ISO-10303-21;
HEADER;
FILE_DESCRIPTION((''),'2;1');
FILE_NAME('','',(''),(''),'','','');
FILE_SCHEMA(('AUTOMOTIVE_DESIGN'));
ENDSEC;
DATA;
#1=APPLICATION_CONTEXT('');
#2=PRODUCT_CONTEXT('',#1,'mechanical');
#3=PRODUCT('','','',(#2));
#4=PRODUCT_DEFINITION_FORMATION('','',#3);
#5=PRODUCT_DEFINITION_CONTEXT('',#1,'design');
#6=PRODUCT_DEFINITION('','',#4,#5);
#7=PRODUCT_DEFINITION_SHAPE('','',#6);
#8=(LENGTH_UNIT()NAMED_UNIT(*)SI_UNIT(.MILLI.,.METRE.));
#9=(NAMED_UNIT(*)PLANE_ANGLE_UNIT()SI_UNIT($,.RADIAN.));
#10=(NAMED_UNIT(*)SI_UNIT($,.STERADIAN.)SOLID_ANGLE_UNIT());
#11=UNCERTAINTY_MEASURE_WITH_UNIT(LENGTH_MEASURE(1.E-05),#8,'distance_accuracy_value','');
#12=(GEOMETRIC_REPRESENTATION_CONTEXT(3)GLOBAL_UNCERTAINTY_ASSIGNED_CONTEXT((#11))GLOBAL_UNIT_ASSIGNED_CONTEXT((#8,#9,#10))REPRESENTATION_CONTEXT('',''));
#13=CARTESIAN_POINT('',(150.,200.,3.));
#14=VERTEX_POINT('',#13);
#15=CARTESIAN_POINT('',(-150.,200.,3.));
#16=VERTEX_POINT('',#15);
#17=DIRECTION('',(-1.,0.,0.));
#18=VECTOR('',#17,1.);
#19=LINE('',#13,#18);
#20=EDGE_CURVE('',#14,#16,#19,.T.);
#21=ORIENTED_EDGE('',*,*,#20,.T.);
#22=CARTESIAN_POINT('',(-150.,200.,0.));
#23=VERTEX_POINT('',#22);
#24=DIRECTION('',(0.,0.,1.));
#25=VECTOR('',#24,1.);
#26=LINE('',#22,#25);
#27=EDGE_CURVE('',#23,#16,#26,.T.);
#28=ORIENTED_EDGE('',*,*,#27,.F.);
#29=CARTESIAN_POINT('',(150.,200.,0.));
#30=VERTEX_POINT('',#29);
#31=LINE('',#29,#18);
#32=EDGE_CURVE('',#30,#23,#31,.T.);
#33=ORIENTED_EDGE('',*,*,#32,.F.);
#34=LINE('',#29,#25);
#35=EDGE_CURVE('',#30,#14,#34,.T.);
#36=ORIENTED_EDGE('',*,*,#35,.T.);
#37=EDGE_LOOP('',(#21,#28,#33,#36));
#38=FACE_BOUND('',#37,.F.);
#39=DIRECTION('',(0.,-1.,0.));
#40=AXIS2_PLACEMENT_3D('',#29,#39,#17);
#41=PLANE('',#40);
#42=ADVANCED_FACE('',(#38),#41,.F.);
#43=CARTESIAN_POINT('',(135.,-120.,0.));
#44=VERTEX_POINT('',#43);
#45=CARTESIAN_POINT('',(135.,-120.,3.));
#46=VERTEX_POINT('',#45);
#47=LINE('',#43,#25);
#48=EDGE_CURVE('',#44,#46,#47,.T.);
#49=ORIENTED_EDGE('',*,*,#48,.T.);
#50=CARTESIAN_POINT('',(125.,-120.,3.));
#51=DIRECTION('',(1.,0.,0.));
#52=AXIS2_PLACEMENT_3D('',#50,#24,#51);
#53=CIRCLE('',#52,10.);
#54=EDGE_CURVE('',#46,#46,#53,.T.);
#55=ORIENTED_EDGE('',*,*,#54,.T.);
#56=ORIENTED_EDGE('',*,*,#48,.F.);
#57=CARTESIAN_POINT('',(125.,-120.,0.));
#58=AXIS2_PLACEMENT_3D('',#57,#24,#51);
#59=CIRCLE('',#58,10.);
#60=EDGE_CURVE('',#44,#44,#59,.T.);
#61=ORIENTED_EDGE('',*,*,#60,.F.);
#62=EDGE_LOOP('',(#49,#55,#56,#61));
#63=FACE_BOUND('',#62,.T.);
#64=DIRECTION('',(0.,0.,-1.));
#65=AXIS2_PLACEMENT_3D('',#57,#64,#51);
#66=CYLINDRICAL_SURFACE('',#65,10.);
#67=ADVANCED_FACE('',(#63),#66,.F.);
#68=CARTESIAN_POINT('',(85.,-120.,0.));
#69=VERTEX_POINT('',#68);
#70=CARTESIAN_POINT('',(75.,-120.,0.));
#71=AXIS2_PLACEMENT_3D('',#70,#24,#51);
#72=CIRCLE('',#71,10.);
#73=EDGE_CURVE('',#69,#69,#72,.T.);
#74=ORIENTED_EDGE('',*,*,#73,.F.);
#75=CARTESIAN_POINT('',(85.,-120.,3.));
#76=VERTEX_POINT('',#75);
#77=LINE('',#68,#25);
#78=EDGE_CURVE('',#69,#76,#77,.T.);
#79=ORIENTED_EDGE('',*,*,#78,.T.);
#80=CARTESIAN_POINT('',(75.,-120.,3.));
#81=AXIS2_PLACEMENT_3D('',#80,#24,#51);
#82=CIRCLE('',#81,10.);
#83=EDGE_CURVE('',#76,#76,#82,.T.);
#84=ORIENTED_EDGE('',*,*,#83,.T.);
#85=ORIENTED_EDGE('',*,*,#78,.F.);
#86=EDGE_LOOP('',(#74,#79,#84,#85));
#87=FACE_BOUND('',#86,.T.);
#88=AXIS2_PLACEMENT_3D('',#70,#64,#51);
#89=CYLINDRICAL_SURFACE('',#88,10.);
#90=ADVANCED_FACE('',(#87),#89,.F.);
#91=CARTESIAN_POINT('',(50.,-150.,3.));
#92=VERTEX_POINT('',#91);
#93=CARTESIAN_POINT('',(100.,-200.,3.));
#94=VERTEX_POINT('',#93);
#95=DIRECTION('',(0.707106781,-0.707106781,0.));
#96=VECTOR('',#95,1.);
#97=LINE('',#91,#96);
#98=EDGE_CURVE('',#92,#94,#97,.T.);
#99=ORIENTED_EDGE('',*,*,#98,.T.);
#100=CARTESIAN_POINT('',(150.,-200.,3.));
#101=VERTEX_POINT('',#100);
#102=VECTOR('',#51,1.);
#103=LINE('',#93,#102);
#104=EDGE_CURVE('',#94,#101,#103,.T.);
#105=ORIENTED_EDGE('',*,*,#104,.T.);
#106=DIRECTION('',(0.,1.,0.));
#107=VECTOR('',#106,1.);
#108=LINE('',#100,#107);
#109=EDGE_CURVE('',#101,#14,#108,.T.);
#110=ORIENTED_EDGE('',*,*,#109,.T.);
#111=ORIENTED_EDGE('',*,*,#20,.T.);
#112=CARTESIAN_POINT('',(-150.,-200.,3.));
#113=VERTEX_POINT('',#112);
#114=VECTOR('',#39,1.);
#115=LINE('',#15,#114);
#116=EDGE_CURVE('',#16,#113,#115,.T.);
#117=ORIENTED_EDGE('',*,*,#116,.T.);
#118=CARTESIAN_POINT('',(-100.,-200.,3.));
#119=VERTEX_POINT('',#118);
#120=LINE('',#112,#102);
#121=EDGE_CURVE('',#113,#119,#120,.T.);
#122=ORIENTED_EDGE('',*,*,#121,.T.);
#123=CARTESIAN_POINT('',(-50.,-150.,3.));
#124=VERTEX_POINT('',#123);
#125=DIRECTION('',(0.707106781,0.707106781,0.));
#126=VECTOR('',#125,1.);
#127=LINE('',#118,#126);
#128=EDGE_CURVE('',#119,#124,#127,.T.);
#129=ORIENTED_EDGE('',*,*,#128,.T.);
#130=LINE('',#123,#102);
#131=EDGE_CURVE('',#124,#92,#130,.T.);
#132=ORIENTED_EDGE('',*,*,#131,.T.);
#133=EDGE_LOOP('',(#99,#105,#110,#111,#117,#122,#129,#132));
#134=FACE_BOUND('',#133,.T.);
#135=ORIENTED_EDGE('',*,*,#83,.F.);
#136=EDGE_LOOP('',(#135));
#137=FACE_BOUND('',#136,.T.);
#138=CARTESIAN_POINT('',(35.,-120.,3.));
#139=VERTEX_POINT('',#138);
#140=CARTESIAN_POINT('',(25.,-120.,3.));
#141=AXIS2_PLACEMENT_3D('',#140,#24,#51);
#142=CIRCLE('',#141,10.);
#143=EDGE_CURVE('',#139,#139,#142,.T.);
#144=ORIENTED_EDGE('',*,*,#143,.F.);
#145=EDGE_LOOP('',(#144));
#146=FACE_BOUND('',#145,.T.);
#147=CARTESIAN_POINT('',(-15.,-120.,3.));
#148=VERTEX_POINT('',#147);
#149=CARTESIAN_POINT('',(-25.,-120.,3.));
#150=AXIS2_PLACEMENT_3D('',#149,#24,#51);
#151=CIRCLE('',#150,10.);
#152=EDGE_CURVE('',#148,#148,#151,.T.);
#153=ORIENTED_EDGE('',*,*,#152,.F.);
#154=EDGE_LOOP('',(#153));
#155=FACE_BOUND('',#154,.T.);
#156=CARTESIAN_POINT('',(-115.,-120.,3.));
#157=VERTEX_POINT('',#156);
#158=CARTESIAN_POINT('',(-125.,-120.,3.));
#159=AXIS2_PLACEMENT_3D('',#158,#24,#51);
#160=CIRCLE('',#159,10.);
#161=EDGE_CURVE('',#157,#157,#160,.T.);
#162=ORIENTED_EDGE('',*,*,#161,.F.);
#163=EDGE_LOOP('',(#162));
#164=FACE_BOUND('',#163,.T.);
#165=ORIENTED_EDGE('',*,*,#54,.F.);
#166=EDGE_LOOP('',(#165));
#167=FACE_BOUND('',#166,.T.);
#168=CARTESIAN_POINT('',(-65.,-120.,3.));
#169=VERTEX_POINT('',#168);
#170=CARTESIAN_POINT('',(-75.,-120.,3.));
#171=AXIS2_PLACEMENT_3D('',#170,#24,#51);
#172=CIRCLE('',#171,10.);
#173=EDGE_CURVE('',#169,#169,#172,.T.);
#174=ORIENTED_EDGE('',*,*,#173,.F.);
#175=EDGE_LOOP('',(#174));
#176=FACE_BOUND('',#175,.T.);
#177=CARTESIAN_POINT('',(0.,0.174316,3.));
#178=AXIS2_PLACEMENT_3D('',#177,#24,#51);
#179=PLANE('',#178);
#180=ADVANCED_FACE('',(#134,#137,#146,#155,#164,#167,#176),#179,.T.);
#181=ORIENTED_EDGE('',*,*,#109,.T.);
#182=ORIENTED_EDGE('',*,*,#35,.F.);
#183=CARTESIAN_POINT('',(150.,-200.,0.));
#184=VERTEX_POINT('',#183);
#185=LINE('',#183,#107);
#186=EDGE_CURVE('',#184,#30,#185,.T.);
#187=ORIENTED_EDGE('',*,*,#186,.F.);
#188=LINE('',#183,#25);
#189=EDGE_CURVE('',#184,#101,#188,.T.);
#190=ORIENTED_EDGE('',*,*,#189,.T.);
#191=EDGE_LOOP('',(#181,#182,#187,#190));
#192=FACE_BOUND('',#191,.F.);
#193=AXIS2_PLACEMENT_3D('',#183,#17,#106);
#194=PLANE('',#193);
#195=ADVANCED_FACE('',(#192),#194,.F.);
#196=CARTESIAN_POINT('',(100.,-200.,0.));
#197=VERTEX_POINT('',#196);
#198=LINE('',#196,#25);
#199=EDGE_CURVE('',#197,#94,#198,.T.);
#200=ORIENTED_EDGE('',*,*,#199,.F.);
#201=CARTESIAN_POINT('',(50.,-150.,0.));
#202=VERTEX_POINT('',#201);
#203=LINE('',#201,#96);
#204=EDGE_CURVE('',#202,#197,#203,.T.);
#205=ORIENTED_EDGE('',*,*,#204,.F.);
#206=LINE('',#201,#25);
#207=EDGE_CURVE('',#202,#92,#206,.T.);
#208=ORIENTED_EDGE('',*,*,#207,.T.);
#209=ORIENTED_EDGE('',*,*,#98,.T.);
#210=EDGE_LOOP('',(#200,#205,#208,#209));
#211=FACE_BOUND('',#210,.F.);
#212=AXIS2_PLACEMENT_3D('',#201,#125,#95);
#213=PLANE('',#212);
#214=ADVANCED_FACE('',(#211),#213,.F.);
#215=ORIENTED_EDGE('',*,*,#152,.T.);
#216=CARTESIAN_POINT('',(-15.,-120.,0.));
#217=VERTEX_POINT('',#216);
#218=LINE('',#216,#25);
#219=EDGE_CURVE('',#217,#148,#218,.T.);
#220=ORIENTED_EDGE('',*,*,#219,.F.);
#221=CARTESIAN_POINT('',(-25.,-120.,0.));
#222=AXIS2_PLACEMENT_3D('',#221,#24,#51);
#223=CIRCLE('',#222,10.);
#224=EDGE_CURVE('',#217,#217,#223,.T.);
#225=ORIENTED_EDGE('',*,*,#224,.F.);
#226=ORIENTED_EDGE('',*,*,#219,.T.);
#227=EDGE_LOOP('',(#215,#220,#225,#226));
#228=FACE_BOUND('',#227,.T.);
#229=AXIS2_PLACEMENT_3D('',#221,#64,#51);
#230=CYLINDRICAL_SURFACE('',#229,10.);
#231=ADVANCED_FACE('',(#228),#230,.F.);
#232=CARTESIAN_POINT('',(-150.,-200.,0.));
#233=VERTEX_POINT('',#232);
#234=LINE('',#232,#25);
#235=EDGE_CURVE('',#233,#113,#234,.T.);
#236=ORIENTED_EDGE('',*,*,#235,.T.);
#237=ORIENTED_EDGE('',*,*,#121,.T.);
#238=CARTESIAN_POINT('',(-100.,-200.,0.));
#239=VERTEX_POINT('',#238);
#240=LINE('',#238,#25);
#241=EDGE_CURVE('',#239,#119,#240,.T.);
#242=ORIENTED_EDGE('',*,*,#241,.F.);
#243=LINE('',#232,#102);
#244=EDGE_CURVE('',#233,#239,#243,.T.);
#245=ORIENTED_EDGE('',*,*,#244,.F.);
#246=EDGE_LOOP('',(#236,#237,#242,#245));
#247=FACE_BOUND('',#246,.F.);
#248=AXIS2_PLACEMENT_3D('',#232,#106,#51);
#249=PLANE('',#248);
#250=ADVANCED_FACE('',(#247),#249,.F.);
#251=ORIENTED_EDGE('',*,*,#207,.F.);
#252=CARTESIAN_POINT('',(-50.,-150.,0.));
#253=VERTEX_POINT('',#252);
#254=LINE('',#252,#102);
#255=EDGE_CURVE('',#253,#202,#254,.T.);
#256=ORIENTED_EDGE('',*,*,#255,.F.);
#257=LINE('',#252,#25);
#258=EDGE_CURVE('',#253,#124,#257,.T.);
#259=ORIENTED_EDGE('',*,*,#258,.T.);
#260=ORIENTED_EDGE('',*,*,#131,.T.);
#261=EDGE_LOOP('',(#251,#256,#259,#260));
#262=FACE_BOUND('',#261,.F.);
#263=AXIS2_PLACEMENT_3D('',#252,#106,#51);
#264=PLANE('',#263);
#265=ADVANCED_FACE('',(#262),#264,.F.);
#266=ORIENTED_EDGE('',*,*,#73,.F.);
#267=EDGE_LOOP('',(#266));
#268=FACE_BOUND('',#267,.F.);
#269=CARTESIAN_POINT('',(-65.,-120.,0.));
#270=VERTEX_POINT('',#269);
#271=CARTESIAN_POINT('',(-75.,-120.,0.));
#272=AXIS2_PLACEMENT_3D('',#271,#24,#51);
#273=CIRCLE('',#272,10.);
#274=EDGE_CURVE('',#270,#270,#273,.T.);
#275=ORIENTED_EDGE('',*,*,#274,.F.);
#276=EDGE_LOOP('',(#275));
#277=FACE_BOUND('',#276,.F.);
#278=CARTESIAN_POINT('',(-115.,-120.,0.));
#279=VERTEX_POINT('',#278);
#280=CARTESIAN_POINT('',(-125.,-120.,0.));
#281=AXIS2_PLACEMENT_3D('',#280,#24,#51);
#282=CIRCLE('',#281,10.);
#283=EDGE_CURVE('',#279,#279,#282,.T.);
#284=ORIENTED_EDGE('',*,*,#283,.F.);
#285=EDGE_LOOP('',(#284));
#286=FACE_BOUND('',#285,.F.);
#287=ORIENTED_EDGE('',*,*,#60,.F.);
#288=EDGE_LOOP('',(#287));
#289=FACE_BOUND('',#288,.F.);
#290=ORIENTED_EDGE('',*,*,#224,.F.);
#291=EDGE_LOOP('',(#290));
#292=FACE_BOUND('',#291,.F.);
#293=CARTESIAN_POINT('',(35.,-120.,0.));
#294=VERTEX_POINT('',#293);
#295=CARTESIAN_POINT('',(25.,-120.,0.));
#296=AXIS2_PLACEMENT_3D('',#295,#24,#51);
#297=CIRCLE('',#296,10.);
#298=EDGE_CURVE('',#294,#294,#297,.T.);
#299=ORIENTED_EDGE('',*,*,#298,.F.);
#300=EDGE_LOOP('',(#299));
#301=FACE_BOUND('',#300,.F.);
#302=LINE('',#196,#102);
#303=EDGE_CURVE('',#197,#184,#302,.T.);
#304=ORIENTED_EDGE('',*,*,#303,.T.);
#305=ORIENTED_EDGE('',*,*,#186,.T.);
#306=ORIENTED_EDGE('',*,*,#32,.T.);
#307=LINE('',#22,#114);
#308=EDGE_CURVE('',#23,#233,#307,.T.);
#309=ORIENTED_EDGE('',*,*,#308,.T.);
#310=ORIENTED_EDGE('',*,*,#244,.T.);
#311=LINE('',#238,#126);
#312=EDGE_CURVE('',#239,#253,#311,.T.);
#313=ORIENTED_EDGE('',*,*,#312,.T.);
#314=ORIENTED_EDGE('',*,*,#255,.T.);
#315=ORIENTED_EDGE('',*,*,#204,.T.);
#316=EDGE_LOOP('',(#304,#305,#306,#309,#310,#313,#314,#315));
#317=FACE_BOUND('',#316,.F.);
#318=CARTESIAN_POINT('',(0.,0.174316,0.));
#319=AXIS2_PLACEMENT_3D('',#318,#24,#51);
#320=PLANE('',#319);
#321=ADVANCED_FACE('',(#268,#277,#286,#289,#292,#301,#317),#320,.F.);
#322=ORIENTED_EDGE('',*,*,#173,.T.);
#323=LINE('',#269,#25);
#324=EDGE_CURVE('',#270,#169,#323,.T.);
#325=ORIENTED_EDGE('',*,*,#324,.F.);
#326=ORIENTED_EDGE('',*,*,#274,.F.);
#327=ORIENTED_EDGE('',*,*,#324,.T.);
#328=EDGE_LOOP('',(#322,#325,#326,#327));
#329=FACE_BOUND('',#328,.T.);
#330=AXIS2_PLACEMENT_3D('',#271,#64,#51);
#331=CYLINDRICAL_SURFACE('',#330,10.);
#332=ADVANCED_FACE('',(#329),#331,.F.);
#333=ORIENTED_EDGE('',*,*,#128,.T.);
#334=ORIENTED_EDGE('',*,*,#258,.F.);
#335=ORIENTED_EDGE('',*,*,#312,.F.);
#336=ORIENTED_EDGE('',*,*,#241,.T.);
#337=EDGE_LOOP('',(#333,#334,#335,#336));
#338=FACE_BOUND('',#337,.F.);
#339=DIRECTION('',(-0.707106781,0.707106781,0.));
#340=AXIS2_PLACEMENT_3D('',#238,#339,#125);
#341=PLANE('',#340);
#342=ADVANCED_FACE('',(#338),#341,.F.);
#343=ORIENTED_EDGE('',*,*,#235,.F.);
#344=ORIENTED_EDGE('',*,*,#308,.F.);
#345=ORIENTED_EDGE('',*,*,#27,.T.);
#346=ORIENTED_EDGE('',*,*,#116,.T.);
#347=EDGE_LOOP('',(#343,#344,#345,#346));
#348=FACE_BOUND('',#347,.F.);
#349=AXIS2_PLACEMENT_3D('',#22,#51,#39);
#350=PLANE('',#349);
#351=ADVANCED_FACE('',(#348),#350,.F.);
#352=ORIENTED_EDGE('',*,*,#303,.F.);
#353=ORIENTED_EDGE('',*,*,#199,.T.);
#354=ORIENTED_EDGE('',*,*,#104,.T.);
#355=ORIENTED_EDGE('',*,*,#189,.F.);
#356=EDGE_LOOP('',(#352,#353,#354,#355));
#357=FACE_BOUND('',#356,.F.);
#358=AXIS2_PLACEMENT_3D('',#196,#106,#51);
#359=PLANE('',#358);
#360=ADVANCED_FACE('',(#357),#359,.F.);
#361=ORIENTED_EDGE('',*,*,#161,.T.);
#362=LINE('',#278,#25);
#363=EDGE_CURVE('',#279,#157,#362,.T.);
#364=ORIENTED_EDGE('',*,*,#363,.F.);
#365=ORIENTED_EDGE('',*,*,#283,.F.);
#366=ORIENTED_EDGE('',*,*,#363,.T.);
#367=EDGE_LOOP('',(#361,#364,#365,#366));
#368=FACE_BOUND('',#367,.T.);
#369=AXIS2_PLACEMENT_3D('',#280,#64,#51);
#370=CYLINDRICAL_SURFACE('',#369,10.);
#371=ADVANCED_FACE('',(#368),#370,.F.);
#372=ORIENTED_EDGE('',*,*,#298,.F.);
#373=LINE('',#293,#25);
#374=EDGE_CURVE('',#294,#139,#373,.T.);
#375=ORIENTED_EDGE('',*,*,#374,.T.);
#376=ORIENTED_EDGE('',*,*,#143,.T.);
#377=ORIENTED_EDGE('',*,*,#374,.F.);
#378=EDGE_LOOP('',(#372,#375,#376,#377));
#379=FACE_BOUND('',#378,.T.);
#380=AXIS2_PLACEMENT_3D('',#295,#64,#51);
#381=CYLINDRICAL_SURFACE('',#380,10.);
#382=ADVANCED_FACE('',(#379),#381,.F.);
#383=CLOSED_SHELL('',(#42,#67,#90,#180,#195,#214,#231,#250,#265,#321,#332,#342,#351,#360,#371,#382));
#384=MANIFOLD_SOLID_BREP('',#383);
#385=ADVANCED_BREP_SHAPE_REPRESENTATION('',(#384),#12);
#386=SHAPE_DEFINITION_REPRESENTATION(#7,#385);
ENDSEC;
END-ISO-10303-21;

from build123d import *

# Parameters (mm, degrees)
F0_R     = 10
F1_DEPTH = 3


with BuildPart() as f1:
    # F0 (on Top) → F1 (new body)
    with BuildSketch(Plane.XY):
        Polygon((-150, 200), (-150, -200), (-100, -200), (-50, -150), (50, -150), (100, -200), (150, -200), (150, 200), align=None)
        with Locations((-125, -120)):
            Circle(F0_R, mode=Mode.SUBTRACT)
        with Locations((-75, -120)):
            Circle(F0_R, mode=Mode.SUBTRACT)
        with Locations((-25, -120)):
            Circle(F0_R, mode=Mode.SUBTRACT)
        with Locations((25, -120)):
            Circle(F0_R, mode=Mode.SUBTRACT)
        with Locations((75, -120)):
            Circle(F0_R, mode=Mode.SUBTRACT)
        with Locations((125, -120)):
            Circle(F0_R, mode=Mode.SUBTRACT)
    extrude(amount=F1_DEPTH)


solid = f1.part
